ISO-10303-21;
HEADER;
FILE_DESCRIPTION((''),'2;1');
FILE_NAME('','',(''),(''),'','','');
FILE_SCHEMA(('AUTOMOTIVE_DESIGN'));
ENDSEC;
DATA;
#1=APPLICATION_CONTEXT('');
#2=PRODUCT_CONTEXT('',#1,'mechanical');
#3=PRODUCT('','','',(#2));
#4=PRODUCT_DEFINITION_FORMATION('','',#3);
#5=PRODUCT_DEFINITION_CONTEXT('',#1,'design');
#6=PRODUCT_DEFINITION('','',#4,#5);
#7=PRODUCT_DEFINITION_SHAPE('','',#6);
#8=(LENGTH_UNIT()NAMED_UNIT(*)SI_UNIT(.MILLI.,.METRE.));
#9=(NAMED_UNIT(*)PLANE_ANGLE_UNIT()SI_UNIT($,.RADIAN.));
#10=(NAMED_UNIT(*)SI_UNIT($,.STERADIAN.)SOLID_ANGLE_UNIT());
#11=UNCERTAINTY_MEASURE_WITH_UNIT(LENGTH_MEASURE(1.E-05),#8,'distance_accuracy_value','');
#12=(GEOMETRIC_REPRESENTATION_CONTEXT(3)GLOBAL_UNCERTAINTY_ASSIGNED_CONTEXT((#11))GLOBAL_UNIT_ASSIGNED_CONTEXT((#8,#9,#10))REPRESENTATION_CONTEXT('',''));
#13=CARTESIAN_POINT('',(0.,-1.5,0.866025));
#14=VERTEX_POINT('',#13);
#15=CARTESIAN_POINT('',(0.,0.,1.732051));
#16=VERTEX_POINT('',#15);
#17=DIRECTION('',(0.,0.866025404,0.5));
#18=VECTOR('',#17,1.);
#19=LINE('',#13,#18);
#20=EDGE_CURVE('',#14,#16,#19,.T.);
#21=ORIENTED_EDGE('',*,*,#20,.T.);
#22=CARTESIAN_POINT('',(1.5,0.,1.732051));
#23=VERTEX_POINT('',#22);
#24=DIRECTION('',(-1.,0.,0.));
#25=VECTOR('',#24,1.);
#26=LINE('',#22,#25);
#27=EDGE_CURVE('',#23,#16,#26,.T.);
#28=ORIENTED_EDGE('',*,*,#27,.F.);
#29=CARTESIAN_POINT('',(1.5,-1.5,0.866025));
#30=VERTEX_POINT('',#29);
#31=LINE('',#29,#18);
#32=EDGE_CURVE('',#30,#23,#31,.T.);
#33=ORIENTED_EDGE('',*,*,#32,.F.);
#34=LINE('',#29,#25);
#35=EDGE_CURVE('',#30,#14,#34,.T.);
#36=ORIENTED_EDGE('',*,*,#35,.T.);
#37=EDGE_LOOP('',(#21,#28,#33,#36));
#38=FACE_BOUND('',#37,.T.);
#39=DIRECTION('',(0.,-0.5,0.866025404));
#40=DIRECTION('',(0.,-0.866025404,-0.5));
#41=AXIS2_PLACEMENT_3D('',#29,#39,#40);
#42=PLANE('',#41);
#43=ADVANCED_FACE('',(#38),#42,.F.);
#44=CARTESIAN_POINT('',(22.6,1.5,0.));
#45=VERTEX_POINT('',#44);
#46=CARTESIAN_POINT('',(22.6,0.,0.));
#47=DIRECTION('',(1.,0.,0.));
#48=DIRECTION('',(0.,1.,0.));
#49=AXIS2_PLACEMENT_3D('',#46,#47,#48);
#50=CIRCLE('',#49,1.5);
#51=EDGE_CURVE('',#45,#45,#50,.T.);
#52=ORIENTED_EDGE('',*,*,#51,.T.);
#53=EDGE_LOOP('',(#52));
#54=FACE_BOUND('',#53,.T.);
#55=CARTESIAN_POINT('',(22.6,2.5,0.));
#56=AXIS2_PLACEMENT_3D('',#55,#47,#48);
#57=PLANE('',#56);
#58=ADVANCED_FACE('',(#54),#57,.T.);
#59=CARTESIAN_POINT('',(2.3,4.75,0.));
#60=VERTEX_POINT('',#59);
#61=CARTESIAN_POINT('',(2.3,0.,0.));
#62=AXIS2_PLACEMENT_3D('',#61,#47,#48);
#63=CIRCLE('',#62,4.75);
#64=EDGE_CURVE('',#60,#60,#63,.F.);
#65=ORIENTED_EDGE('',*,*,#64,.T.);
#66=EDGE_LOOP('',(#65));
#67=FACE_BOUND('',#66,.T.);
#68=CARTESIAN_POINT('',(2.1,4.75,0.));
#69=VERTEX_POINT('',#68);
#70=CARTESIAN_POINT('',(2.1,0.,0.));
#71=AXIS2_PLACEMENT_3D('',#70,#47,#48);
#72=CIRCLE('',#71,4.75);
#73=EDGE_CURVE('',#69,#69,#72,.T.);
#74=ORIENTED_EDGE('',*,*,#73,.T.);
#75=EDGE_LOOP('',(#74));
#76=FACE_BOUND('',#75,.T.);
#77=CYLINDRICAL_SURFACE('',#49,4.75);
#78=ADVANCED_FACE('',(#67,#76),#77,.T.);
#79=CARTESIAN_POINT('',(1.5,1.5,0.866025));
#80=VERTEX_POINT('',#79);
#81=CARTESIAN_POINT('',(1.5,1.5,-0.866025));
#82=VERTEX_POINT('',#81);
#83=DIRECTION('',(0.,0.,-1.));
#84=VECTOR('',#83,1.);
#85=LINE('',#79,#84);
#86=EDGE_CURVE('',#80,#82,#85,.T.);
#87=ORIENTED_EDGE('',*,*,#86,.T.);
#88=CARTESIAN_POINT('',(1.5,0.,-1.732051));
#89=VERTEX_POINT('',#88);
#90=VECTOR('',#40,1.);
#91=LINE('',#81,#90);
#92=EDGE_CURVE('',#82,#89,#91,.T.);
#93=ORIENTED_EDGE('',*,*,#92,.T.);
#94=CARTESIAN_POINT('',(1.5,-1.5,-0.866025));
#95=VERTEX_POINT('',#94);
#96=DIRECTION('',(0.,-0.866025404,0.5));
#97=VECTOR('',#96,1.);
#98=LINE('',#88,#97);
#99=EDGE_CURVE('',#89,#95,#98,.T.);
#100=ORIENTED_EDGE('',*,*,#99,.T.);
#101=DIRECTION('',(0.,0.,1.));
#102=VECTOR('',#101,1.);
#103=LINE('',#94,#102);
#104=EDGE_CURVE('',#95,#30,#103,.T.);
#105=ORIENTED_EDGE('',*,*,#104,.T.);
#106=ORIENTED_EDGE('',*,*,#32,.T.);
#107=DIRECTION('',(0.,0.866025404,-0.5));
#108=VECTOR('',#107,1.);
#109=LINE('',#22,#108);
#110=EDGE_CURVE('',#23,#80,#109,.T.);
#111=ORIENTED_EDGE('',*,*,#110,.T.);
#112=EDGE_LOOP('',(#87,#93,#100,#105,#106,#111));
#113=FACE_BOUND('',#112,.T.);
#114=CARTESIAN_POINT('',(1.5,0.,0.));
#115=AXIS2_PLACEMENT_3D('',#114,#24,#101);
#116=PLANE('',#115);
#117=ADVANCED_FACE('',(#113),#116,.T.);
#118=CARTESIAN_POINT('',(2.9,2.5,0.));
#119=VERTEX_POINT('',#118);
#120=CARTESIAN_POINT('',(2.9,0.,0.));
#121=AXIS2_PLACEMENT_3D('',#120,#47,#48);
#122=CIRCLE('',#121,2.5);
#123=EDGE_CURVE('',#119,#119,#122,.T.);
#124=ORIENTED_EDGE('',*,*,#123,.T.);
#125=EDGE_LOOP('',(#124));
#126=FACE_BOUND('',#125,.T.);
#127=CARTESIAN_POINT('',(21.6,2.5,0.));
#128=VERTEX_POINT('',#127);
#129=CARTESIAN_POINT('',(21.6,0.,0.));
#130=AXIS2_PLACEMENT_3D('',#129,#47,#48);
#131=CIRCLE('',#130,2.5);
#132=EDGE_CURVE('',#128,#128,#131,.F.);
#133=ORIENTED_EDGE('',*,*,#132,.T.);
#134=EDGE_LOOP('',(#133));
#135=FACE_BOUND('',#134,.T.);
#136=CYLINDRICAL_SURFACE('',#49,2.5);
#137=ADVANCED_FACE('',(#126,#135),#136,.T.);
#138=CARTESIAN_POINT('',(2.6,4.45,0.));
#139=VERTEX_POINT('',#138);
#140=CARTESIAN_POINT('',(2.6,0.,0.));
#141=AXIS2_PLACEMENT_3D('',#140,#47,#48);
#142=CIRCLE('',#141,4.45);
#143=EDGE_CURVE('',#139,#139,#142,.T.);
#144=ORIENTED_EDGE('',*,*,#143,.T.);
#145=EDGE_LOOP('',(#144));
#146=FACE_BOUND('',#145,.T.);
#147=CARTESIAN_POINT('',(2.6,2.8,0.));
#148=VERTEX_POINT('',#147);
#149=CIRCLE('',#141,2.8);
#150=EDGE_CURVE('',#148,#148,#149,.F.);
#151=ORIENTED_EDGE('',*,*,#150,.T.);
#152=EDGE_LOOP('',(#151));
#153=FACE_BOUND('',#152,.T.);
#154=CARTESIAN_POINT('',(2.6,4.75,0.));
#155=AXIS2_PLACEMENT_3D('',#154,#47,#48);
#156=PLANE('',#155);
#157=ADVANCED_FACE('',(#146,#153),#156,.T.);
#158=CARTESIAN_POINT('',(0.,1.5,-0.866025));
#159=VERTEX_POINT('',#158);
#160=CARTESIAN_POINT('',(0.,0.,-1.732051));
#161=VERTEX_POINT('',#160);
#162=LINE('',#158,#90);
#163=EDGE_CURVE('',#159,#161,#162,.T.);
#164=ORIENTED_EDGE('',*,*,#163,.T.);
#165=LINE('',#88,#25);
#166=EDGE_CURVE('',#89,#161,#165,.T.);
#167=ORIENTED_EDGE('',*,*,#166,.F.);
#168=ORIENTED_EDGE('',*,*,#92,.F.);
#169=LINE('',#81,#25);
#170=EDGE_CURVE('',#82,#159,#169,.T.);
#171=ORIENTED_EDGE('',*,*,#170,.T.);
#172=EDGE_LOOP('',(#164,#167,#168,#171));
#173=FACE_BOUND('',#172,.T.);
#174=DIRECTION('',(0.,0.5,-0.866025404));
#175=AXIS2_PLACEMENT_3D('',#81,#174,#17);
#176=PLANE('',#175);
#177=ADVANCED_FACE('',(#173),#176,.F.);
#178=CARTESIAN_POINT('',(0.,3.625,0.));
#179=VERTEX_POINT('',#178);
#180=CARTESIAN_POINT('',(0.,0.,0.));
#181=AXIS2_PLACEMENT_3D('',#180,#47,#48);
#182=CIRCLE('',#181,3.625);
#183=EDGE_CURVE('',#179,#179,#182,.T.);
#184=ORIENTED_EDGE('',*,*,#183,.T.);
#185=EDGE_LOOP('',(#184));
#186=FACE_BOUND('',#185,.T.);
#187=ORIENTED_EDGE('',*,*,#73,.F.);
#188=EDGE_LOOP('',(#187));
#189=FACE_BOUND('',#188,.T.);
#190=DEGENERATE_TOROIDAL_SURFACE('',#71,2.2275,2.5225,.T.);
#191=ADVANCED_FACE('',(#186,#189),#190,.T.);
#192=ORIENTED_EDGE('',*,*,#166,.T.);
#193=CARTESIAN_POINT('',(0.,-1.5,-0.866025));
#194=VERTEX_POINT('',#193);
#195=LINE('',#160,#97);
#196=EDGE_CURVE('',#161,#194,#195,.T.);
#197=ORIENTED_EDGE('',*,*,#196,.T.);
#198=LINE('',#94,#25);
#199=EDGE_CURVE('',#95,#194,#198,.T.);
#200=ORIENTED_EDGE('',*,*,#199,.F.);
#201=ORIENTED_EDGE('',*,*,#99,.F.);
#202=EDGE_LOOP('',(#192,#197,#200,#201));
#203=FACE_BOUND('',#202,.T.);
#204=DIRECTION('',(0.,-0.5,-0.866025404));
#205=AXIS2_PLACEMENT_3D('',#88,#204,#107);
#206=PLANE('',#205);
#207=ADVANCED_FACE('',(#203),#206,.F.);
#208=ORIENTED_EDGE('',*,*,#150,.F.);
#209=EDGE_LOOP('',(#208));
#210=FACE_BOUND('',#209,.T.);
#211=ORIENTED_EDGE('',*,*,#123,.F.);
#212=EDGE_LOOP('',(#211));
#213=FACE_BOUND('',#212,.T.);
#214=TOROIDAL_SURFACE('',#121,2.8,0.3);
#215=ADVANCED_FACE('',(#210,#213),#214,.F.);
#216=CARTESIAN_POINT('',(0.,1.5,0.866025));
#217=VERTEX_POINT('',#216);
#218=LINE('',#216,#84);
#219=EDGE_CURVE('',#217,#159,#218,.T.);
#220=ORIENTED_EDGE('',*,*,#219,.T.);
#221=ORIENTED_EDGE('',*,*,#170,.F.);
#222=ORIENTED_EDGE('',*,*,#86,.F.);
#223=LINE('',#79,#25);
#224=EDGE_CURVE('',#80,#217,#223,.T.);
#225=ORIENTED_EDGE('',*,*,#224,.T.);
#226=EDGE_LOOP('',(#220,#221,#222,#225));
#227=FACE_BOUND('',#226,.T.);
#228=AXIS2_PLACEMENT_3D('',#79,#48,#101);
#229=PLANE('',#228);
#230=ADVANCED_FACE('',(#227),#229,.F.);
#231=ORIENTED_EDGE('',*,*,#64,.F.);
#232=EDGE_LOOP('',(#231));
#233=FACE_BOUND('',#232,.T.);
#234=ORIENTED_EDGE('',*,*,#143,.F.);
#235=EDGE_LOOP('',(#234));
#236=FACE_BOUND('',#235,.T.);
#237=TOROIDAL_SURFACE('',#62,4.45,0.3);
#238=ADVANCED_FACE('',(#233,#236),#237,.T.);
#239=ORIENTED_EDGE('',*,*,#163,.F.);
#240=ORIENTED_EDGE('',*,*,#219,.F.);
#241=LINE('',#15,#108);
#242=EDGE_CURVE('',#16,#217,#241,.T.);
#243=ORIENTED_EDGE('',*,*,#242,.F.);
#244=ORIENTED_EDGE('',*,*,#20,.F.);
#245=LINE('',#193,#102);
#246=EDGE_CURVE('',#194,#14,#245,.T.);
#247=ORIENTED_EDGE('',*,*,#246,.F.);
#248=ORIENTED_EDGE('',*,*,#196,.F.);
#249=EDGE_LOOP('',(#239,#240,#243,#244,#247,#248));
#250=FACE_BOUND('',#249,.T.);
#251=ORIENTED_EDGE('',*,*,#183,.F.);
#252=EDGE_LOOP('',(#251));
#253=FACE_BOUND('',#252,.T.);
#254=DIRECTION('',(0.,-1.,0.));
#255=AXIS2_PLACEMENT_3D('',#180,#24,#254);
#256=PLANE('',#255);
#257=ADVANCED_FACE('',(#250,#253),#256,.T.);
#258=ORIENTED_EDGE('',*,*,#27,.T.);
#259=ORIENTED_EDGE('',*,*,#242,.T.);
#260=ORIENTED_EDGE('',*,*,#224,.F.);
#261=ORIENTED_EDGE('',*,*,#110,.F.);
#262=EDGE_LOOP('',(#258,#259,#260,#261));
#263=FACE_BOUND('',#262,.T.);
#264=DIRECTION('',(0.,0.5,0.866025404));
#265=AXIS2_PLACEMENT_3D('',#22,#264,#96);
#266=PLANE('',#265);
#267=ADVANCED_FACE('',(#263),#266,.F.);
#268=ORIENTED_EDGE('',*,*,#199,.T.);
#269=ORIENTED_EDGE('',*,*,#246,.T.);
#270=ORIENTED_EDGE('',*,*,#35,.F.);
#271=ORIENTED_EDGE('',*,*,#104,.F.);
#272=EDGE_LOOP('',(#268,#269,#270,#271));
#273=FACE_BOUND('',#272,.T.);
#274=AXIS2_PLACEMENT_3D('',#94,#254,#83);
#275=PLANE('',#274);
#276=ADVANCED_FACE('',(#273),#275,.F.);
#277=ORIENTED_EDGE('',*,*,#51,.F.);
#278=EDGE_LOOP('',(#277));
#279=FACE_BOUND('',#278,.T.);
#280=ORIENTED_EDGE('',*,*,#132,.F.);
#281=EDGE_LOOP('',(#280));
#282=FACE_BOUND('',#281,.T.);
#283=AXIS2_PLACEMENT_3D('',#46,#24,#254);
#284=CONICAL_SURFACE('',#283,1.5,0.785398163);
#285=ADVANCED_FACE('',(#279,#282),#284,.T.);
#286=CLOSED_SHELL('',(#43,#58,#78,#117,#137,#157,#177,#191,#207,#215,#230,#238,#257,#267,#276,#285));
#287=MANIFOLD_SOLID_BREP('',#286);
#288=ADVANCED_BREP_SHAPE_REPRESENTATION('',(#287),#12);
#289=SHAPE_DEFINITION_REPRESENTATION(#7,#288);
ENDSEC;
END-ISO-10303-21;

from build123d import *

# Parameters (mm, degrees)
CUT_EXTRUDE_1_DEPTH = 1.5
FILLET_1_R          = 0.3
CHAMFER_1_SIZE      = 1


with BuildPart() as part:
    # Эскиз1 → Повернуть1 (revolve)
    with BuildSketch(Plane.XY):
        with BuildLine():
            Line((0, 0), (0, 3.625))
            ThreePointArc((0, 3.625), (0.908821487, 4.451033224), (2.1, 4.75))
            Line((2.1, 4.75), (2.6, 4.75))
            Line((2.6, 4.75), (2.6, 2.5))
            Line((2.6, 2.5), (22.6, 2.5))
            Line((22.6, 2.5), (22.6, 0))
            Line((22.6, 0), (0, 0))
        make_face()
    revolve(axis=Axis((22.6, 0, 0), (-1, 0, 0)))

    # Эскиз2 → Вырез-Вытянуть1 (cut)
    with BuildSketch(Plane.ZY):
        Polygon((0.866025404, 1.5), (-0.866025404, 1.5), (-1.732050808, 0), (-0.866025404, -1.5), (0.866025404, -1.5), (1.732050808, 0), align=None)
    extrude(amount=-CUT_EXTRUDE_1_DEPTH, mode=Mode.SUBTRACT)

    # Скругление1
    fillet_1_edges = [part.edges().sort_by_distance(p)[0] for p in [
        (2.6, -2.5, 0),
        (2.6, -4.75, 0),
    ]]
    fillet(fillet_1_edges, radius=FILLET_1_R)

    # Фаска1
    chamfer_1_edges = [part.edges().sort_by_distance(p)[0] for p in [
        (22.6, -2.5, 0),
    ]]
    chamfer(chamfer_1_edges, length=CHAMFER_1_SIZE)


solid = part.part
